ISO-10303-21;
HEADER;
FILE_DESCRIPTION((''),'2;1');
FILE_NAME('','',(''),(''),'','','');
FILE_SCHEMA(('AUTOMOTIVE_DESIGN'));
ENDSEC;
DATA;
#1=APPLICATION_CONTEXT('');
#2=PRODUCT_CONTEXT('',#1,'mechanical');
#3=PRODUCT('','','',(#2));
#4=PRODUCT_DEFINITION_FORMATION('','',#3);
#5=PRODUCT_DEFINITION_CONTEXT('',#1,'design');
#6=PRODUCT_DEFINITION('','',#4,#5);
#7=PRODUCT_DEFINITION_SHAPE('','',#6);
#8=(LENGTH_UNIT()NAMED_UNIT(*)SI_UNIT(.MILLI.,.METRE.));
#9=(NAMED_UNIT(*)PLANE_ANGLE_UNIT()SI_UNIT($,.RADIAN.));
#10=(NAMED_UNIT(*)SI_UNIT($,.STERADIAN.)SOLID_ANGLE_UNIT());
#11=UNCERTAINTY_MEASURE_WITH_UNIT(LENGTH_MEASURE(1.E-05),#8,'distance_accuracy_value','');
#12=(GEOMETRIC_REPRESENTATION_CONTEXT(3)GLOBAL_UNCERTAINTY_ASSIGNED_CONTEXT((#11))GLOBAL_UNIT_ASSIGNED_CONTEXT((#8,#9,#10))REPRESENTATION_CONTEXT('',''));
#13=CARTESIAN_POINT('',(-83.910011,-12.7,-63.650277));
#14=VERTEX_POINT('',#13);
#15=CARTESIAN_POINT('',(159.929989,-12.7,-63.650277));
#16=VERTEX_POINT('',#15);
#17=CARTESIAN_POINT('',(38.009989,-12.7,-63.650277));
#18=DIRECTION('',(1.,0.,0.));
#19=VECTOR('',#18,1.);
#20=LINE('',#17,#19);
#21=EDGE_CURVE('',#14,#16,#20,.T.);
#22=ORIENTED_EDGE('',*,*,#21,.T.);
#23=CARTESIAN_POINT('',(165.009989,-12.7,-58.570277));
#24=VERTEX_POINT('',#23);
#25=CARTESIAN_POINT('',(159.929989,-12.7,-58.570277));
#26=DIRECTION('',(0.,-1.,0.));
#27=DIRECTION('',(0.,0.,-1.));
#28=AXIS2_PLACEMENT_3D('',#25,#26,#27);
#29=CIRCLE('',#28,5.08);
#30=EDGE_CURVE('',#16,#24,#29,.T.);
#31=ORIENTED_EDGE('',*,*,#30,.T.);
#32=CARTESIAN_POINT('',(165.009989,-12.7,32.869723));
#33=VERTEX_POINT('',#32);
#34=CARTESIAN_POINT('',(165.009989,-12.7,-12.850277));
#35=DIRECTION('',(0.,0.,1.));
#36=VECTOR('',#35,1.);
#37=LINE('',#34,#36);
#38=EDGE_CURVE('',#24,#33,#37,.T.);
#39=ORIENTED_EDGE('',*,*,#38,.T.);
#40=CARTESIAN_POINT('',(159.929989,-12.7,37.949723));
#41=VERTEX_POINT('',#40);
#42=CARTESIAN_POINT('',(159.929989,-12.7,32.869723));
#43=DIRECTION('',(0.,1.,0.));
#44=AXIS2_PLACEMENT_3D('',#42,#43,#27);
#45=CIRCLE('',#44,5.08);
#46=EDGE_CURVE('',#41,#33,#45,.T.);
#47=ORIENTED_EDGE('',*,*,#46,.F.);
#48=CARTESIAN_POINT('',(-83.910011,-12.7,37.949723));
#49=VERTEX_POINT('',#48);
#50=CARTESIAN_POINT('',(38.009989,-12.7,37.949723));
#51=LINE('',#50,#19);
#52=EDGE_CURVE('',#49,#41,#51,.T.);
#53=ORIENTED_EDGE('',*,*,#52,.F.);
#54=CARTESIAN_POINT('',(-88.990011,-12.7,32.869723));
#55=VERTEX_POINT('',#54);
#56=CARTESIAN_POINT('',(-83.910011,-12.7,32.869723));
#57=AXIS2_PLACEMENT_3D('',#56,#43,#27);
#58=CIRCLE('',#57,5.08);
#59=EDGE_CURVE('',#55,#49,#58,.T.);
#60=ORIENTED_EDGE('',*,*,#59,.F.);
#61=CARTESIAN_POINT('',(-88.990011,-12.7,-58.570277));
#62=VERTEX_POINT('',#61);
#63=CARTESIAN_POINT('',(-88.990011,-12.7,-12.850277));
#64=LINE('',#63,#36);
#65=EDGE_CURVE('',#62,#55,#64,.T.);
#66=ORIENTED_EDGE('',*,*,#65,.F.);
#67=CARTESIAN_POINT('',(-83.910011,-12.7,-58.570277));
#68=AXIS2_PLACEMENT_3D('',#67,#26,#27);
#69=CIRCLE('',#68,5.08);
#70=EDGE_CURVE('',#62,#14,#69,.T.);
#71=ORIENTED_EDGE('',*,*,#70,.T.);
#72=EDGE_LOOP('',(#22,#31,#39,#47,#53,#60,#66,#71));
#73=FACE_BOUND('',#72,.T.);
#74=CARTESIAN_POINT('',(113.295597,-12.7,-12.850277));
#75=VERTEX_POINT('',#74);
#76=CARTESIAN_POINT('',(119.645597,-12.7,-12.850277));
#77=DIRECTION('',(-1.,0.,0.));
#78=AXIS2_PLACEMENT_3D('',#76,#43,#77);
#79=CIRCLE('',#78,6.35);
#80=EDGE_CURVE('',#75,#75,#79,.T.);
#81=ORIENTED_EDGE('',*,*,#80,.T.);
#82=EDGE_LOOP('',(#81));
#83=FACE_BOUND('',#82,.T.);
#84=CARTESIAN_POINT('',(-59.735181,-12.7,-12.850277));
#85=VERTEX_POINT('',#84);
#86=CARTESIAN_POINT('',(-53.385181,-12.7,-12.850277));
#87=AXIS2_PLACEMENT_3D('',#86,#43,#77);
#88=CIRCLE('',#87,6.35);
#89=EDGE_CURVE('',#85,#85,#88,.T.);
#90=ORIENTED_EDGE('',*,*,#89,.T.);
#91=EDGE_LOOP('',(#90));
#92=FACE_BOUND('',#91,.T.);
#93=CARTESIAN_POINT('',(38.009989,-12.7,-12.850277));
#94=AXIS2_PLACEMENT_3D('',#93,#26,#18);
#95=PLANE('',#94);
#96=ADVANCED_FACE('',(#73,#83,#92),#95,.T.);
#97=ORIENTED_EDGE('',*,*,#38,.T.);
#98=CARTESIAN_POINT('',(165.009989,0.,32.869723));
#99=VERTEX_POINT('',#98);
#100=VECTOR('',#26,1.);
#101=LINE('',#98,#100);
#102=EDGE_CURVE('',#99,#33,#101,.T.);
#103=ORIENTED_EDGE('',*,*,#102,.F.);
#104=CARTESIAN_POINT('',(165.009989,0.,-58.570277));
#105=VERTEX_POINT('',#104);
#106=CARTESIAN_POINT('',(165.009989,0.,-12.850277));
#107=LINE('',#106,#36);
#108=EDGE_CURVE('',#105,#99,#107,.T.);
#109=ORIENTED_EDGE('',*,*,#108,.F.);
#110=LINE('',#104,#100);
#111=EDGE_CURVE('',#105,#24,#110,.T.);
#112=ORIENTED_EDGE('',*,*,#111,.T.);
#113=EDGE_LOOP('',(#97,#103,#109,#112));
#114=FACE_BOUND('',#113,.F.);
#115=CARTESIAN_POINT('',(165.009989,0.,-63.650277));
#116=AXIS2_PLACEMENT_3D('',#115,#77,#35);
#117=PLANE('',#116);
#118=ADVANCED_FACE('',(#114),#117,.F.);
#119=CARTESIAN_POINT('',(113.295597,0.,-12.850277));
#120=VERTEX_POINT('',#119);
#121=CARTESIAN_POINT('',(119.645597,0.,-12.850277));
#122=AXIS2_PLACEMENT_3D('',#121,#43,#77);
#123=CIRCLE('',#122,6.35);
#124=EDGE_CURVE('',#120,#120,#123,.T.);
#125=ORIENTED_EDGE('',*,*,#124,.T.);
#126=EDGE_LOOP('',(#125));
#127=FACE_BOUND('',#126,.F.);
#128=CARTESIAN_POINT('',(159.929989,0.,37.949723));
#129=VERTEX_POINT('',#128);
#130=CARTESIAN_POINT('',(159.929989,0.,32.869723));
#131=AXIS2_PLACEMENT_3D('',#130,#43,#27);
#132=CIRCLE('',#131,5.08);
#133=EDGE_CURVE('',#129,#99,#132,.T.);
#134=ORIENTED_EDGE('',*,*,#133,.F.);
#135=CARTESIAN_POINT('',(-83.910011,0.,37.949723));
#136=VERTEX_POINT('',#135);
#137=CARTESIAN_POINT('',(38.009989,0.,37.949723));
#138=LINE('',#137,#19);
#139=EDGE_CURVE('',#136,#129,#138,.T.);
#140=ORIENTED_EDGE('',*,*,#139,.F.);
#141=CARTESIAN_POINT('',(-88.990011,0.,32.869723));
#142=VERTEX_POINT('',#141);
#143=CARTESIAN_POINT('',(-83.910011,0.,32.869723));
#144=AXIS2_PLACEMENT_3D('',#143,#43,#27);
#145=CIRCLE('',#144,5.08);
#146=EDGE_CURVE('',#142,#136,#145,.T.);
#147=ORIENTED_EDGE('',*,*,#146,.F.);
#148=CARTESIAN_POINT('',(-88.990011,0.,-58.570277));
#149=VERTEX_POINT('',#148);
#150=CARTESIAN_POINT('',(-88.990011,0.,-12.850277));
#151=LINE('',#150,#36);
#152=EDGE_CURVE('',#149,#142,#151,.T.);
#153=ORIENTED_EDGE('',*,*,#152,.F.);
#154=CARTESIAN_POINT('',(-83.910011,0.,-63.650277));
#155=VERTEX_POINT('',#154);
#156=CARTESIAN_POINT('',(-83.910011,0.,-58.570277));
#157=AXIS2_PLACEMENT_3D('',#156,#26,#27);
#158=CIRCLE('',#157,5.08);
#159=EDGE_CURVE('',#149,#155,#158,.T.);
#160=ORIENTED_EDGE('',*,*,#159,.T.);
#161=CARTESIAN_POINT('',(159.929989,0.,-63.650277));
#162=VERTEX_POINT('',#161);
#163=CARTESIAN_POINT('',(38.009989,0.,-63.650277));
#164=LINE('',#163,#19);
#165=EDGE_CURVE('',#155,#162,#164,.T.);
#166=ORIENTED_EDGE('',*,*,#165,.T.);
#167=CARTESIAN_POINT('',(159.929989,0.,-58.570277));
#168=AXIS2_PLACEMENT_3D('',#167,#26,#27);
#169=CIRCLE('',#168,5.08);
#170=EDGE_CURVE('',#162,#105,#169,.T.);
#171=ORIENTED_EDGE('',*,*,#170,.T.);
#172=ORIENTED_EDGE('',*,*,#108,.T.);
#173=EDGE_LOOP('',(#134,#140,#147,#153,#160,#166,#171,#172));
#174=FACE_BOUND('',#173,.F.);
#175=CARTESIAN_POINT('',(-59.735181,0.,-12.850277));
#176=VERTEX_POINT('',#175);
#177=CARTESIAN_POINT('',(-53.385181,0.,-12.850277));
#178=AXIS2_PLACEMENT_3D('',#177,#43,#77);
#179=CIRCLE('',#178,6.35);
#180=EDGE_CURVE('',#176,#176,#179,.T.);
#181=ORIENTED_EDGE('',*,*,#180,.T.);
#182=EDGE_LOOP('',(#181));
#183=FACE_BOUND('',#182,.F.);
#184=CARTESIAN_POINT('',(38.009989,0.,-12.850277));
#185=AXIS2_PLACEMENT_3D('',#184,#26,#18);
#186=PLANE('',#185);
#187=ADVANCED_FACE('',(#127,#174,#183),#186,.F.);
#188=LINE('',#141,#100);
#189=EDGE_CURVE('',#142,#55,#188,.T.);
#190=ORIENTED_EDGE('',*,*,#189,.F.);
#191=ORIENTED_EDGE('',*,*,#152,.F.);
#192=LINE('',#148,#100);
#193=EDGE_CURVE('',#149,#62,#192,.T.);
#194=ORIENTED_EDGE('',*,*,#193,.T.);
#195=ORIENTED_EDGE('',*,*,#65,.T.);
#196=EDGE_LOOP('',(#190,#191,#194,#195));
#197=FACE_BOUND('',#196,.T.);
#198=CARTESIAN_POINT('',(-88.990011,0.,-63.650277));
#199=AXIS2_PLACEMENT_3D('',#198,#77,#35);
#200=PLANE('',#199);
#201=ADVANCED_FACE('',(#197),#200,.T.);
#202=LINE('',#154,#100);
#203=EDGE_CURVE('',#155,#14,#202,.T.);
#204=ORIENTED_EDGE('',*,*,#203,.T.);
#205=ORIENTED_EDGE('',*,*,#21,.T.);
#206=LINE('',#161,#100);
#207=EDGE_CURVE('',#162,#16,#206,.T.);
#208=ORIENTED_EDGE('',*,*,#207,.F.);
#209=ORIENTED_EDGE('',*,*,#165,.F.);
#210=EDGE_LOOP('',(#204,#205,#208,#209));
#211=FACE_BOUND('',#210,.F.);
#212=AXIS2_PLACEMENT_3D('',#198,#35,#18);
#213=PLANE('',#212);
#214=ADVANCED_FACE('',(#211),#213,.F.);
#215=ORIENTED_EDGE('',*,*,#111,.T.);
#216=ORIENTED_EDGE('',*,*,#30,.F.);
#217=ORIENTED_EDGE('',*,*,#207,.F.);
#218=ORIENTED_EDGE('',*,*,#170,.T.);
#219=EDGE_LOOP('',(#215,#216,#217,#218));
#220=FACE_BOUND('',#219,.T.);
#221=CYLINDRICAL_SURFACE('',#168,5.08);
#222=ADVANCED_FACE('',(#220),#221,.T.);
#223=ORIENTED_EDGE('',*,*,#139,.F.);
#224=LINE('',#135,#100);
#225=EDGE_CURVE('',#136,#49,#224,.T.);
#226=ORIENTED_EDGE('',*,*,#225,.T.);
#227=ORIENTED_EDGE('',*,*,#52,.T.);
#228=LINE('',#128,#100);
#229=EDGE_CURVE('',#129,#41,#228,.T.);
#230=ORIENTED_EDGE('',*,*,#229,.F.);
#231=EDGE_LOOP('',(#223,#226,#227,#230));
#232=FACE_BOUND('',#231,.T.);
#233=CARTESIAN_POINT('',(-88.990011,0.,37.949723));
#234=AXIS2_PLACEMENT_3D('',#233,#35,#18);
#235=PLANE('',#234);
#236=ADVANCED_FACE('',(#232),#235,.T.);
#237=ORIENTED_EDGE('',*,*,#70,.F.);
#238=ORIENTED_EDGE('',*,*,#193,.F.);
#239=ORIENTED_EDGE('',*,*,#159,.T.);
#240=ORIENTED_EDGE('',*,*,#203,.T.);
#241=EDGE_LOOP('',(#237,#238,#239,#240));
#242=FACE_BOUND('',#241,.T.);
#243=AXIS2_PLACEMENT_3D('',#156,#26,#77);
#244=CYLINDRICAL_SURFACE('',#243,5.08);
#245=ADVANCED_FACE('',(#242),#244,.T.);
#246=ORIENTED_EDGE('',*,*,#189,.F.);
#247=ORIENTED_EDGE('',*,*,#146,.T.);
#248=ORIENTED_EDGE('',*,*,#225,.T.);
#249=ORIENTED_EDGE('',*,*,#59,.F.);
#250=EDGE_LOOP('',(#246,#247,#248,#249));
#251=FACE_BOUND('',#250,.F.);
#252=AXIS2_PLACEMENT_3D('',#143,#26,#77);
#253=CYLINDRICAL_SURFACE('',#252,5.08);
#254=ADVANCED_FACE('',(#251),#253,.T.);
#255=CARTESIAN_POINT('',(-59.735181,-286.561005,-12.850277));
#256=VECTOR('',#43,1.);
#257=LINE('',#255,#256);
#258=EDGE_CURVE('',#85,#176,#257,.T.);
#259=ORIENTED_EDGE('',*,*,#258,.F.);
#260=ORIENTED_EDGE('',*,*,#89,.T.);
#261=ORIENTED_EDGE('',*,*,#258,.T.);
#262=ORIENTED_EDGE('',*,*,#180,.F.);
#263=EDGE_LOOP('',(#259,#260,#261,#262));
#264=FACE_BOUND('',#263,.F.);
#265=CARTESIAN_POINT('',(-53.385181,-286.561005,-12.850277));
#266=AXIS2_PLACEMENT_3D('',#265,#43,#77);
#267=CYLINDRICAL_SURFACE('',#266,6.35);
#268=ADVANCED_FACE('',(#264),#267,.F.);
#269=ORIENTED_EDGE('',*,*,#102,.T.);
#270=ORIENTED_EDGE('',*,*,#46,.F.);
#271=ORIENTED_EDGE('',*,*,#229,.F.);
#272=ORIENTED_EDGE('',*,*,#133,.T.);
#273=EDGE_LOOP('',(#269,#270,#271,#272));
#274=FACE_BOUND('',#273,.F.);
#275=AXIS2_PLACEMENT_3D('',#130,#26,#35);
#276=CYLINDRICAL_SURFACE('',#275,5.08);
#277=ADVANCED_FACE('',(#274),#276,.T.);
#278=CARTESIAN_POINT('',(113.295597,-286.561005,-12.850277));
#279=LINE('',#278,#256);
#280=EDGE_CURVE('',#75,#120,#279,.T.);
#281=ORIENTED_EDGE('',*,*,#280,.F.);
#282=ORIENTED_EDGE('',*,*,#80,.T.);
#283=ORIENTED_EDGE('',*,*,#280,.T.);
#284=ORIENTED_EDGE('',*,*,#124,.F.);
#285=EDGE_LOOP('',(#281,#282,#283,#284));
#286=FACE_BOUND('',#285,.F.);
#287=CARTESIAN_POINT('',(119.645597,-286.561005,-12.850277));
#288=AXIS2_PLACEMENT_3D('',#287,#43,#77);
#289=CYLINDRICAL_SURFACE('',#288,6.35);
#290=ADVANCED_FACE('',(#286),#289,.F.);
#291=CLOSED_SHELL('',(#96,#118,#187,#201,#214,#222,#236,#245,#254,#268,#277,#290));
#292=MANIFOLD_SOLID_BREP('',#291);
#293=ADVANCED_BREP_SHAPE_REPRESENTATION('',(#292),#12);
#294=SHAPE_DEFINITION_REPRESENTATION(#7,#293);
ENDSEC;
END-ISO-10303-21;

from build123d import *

# Parameters (mm, degrees)
F0_W     = 254
F0_H     = 101.6
F1_DEPTH = 12.7
F3_D     = 12.7
F4_R     = 5.08
F5_R     = 5.08
F6_R     = 5.08
F7_R     = 5.08


with BuildPart() as f1:
    # F0 (on Front) → F1 (new body)
    with BuildSketch(Plane.XZ):
        with Locations((38.009989, -12.850277)):
            Rectangle(F0_W, F0_H)
    extrude(amount=F1_DEPTH)

    # F3 (through all)
    with Locations(Plane.XZ.offset(12.7)):
        with Locations((-53.385181, -12.850277), (119.645597, -12.850277)):
            Hole(F3_D / 2)

    # F4
    f4_edges = [f1.edges().sort_by_distance(p)[0] for p in [
        (-88.990011, -6.35, 37.949723),
    ]]
    fillet(f4_edges, radius=F4_R)

    # F5
    f5_edges = [f1.edges().sort_by_distance(p)[0] for p in [
        (165.009989, -6.35, 37.949723),
    ]]
    fillet(f5_edges, radius=F5_R)

    # F6
    f6_edges = [f1.edges().sort_by_distance(p)[0] for p in [
        (-88.990011, -6.35, -63.650277),
    ]]
    fillet(f6_edges, radius=F6_R)

    # F7
    f7_edges = [f1.edges().sort_by_distance(p)[0] for p in [
        (165.009989, -6.35, -63.650277),
    ]]
    fillet(f7_edges, radius=F7_R)


solid = f1.part
